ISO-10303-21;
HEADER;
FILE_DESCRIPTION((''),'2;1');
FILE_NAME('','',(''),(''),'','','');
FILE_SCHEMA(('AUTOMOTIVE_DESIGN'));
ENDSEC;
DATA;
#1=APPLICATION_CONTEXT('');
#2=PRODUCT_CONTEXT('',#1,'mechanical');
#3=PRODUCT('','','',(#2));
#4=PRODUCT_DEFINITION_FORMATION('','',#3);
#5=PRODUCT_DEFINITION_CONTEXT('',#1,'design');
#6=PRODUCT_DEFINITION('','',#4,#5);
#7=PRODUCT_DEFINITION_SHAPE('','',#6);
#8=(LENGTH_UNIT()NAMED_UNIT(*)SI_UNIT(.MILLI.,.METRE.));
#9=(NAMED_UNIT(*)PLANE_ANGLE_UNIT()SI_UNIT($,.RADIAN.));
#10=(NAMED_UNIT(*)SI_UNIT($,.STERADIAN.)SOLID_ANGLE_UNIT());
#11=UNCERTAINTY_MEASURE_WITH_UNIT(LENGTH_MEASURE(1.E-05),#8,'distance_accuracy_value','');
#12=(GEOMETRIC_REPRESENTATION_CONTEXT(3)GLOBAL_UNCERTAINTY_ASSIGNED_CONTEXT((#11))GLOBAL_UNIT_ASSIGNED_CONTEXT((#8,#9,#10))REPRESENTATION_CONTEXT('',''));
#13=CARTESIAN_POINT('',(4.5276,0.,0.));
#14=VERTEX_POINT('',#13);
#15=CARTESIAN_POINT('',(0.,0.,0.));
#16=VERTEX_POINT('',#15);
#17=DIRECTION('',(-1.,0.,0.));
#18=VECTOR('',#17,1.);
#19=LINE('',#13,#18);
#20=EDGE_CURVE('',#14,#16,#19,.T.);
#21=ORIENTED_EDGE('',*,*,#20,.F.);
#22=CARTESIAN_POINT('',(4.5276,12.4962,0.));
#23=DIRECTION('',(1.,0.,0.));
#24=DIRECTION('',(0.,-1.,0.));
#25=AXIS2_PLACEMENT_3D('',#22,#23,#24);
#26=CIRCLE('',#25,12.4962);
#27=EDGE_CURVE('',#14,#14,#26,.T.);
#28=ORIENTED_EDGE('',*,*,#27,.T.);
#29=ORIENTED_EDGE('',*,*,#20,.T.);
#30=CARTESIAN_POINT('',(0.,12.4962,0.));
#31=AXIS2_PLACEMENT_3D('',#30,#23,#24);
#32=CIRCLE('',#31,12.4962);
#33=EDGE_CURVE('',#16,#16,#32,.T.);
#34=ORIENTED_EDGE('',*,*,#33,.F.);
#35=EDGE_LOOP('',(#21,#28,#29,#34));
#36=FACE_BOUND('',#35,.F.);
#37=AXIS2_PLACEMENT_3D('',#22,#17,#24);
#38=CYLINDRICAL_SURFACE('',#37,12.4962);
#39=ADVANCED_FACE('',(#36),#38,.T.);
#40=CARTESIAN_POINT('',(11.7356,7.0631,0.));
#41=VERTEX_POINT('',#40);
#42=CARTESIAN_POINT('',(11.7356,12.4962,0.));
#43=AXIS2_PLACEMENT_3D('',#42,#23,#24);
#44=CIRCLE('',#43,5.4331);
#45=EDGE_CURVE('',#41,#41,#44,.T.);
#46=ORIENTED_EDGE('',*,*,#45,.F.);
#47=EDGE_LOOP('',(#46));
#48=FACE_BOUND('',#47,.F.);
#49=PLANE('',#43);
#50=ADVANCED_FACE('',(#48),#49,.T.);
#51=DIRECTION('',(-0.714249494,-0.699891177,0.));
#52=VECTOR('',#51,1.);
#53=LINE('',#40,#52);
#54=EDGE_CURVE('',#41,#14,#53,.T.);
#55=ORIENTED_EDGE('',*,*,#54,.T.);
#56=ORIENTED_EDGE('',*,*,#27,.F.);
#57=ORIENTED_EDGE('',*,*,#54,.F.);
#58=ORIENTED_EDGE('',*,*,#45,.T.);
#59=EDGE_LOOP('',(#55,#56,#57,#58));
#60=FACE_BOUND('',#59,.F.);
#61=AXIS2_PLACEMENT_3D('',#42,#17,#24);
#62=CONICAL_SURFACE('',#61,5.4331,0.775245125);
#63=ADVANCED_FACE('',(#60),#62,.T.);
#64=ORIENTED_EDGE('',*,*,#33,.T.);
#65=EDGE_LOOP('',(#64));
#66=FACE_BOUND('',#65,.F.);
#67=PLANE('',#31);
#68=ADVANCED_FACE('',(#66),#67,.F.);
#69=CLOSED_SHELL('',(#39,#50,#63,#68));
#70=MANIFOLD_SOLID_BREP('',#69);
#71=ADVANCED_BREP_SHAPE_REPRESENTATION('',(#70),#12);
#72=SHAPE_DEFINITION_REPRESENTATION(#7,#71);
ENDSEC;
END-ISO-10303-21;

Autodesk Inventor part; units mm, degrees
ref_plane "YZ Plane" through (0, 0, 0) normal (1, 0, 0) x (0, 1, 0)
ref_plane "XZ Plane" through (0, 0, 0) normal (0, 1, 0) x (-1, 0, 0)
ref_plane "XY Plane" through (0, 0, 0) normal (0, 0, 1) x (1, 0, 0)
sketch "Sketch1" plane through (0, 0, 0) normal (0, 0, 1) x (1, 0, 0)
  line L0 (0, 0) -> (0, 12.4962)
  line L1 (0, 12.4962) -> (11.7356, 12.4962)
  line L2 (11.7356, 12.4962) -> (11.7356, 7.0631)
  line L3 (11.7356, 7.0631) -> (4.5276, 0)
  line L4 (4.5276, 0) -> (0, 0)
revolve "Revolution1" add sketch "Sketch1" angle 360 about axis through (0, 12.4962, 0) along (1, 0, 0)
